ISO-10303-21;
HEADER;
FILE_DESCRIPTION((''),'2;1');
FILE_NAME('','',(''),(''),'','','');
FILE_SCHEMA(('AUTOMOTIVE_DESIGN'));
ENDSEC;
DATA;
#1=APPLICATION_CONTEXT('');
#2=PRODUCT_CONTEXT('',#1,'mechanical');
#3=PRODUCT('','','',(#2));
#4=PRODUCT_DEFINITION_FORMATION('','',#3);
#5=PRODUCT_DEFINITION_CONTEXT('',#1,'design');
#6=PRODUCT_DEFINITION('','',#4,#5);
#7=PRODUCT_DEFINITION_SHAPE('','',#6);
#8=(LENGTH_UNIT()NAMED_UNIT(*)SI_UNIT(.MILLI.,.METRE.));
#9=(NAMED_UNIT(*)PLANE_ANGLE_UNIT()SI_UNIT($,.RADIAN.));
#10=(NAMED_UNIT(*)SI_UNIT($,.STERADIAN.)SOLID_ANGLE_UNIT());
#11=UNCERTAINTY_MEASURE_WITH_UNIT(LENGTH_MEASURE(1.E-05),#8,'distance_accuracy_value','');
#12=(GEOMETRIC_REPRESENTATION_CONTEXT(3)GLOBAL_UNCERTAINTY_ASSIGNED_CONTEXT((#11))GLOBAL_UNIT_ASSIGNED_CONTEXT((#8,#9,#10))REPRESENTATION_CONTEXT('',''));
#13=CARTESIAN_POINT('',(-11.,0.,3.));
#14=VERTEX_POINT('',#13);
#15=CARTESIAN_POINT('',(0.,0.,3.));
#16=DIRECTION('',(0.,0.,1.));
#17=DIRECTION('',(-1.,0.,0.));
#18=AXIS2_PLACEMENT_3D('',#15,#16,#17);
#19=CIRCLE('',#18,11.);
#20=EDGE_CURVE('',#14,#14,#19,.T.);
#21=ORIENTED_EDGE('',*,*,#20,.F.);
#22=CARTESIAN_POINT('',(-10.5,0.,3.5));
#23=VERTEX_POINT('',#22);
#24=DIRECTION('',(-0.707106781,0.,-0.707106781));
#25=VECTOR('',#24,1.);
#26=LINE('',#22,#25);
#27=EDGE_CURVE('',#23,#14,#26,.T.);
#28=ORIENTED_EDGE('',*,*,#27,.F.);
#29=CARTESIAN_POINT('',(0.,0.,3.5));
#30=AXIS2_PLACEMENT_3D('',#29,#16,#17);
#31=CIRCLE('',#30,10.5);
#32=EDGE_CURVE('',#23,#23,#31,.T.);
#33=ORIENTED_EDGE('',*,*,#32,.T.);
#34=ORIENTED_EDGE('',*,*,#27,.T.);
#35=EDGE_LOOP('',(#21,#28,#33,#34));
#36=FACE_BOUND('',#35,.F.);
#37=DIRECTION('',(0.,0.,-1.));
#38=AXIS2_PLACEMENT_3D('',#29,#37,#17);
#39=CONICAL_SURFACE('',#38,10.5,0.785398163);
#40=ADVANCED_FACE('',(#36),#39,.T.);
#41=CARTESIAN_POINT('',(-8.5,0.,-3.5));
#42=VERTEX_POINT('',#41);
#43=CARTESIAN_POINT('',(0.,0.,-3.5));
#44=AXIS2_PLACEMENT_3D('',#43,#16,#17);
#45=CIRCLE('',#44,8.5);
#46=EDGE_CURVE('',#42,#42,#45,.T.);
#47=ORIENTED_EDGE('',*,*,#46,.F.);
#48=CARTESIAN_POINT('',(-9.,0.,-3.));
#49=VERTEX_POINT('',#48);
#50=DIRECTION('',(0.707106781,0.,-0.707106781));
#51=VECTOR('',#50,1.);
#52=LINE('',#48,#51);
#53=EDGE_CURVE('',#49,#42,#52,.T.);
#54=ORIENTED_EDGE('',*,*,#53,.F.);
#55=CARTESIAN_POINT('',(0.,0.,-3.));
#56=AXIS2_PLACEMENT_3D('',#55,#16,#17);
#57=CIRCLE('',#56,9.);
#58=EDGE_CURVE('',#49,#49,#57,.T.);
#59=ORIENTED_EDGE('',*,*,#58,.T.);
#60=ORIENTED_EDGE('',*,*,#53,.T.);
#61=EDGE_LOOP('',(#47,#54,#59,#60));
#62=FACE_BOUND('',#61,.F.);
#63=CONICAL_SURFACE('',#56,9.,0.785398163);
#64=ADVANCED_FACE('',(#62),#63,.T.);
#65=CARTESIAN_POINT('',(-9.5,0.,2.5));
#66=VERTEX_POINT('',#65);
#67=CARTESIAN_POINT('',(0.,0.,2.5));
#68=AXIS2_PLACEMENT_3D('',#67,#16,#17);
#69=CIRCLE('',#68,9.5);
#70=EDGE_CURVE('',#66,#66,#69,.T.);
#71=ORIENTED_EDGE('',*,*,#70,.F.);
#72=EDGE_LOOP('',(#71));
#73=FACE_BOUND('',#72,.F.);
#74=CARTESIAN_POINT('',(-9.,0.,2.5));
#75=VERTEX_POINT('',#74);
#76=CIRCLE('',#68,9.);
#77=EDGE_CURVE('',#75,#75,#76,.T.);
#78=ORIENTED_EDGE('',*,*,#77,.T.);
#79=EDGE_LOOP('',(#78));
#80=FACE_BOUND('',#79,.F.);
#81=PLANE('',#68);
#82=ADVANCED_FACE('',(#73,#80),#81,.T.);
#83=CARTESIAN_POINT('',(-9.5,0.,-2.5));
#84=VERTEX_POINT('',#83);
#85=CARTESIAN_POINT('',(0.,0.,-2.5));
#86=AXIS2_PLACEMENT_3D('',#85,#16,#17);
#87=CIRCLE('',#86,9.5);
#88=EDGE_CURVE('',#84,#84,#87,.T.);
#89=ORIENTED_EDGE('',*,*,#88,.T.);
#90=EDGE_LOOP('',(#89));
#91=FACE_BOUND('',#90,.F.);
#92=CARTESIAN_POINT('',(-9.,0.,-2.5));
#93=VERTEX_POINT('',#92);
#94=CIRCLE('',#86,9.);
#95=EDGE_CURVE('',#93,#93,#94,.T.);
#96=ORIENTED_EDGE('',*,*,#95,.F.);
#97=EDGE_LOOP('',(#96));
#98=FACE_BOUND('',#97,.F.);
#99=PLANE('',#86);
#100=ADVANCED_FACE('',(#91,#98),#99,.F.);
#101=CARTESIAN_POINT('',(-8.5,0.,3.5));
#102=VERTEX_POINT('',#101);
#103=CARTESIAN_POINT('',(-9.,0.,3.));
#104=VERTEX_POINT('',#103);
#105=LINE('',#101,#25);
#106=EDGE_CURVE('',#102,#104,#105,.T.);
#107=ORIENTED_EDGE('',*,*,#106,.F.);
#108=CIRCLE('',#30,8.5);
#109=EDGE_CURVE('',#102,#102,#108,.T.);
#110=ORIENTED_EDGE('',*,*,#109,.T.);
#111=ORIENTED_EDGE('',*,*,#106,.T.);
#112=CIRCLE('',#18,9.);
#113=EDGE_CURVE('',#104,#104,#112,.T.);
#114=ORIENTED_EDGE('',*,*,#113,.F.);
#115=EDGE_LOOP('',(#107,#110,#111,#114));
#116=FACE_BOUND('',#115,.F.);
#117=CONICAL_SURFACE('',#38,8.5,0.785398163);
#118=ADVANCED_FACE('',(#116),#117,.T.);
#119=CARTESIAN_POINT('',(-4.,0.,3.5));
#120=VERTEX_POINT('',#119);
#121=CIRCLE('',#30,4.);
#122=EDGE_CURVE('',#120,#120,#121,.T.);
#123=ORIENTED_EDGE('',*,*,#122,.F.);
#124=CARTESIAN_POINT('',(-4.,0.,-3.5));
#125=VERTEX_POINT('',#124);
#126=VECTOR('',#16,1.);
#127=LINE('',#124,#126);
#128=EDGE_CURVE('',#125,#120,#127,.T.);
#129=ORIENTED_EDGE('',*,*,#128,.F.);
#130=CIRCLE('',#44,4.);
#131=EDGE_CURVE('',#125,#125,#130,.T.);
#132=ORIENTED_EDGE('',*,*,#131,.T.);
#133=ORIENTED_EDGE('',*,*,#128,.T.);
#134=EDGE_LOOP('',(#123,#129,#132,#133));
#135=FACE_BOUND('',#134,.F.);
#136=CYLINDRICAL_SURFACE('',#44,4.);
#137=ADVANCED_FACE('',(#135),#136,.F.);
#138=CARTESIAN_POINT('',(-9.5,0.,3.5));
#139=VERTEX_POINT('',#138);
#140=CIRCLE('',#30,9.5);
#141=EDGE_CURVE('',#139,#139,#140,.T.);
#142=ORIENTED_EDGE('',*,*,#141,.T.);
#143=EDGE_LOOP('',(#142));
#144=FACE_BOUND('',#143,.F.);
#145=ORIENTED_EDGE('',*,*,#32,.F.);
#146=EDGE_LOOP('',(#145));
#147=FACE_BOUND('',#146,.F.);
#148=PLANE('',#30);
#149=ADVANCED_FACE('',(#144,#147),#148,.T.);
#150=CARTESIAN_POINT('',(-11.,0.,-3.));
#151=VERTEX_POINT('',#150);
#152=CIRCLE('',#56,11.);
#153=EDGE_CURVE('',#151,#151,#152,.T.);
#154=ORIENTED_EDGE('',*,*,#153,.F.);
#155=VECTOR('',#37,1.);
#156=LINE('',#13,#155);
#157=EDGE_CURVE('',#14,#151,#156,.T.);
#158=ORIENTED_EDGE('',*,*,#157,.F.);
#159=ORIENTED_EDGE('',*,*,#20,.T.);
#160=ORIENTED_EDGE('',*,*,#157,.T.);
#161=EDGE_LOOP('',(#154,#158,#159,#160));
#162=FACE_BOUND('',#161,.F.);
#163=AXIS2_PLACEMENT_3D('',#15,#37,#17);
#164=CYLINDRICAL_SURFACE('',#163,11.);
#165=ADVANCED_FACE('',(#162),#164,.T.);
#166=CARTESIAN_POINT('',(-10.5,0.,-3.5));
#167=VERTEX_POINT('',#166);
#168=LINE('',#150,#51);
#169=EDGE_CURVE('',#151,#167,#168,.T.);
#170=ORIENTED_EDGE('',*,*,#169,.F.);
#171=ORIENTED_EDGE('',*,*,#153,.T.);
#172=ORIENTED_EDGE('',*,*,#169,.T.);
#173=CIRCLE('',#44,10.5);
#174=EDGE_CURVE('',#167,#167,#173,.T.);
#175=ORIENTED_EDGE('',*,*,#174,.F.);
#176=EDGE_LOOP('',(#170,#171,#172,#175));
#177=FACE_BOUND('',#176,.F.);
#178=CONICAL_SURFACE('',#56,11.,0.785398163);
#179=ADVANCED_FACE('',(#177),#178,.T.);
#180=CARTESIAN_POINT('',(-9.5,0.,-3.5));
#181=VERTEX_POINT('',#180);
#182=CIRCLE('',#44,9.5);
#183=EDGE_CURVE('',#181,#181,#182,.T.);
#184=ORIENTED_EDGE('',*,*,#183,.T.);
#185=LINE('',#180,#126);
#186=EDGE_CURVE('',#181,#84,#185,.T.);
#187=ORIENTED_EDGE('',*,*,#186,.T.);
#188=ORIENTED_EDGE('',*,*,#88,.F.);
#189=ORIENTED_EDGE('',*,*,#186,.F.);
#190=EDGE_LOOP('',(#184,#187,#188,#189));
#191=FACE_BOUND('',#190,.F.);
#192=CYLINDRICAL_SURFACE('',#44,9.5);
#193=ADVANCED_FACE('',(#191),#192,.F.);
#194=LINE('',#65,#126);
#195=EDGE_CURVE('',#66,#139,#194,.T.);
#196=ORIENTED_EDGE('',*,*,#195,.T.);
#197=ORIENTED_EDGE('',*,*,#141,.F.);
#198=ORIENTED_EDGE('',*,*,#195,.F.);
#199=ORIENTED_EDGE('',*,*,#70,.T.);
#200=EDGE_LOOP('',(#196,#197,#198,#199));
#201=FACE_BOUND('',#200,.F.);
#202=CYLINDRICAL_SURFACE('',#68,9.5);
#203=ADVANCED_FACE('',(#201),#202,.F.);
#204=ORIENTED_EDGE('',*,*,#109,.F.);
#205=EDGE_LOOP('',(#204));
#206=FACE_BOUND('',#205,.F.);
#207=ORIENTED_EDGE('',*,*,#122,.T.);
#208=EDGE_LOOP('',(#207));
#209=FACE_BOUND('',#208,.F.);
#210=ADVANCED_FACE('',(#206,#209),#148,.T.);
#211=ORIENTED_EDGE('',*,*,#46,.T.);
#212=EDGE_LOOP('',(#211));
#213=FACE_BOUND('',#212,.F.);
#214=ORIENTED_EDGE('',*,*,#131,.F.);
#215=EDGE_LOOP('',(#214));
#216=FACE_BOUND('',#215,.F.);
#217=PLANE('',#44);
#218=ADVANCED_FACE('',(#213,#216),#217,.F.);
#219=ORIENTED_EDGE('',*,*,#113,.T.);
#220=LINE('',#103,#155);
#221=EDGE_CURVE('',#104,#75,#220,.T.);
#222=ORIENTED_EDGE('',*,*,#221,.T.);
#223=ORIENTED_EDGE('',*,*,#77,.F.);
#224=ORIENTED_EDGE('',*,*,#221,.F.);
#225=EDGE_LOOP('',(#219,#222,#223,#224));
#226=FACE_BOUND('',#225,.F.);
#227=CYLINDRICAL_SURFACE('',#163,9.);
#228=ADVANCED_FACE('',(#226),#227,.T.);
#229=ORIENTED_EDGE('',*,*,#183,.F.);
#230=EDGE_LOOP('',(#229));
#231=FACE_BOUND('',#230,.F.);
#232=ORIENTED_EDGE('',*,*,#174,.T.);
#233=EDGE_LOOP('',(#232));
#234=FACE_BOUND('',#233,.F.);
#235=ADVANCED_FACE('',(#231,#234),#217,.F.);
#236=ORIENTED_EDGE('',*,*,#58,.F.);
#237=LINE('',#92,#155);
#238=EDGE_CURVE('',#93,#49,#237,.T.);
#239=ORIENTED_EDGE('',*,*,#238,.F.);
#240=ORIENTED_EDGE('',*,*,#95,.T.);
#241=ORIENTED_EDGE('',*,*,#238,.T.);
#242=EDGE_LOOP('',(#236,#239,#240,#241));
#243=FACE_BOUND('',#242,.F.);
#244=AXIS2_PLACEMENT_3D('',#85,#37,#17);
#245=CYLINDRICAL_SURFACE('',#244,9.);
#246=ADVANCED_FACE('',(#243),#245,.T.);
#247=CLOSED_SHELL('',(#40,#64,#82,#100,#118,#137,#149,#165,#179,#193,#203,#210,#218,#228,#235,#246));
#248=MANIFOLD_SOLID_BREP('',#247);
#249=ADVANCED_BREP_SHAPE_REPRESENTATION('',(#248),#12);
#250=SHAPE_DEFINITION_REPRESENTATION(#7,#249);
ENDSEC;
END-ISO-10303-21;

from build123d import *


with BuildPart() as f1:
    # F0 (on Front) → F1 (revolve)
    with BuildSketch(Plane.XZ):
        Polygon((-4, -3.5), (-4, 0), (-4, 3.5), (-8.5, 3.5), (-9, 3), (-9, 2.5), (-9.5, 2.5), (-9.5, 3.5), (-10.5, 3.5), (-11, 3), (-11, 0), (-11, -3), (-10.5, -3.5), (-9.5, -3.5), (-9.5, -2.5), (-9, -2.5), (-9, -3), (-8.5, -3.5), align=None)
    revolve(axis=Axis((0, 0, 1.343728), (0, 0, 1)))


solid = f1.part
